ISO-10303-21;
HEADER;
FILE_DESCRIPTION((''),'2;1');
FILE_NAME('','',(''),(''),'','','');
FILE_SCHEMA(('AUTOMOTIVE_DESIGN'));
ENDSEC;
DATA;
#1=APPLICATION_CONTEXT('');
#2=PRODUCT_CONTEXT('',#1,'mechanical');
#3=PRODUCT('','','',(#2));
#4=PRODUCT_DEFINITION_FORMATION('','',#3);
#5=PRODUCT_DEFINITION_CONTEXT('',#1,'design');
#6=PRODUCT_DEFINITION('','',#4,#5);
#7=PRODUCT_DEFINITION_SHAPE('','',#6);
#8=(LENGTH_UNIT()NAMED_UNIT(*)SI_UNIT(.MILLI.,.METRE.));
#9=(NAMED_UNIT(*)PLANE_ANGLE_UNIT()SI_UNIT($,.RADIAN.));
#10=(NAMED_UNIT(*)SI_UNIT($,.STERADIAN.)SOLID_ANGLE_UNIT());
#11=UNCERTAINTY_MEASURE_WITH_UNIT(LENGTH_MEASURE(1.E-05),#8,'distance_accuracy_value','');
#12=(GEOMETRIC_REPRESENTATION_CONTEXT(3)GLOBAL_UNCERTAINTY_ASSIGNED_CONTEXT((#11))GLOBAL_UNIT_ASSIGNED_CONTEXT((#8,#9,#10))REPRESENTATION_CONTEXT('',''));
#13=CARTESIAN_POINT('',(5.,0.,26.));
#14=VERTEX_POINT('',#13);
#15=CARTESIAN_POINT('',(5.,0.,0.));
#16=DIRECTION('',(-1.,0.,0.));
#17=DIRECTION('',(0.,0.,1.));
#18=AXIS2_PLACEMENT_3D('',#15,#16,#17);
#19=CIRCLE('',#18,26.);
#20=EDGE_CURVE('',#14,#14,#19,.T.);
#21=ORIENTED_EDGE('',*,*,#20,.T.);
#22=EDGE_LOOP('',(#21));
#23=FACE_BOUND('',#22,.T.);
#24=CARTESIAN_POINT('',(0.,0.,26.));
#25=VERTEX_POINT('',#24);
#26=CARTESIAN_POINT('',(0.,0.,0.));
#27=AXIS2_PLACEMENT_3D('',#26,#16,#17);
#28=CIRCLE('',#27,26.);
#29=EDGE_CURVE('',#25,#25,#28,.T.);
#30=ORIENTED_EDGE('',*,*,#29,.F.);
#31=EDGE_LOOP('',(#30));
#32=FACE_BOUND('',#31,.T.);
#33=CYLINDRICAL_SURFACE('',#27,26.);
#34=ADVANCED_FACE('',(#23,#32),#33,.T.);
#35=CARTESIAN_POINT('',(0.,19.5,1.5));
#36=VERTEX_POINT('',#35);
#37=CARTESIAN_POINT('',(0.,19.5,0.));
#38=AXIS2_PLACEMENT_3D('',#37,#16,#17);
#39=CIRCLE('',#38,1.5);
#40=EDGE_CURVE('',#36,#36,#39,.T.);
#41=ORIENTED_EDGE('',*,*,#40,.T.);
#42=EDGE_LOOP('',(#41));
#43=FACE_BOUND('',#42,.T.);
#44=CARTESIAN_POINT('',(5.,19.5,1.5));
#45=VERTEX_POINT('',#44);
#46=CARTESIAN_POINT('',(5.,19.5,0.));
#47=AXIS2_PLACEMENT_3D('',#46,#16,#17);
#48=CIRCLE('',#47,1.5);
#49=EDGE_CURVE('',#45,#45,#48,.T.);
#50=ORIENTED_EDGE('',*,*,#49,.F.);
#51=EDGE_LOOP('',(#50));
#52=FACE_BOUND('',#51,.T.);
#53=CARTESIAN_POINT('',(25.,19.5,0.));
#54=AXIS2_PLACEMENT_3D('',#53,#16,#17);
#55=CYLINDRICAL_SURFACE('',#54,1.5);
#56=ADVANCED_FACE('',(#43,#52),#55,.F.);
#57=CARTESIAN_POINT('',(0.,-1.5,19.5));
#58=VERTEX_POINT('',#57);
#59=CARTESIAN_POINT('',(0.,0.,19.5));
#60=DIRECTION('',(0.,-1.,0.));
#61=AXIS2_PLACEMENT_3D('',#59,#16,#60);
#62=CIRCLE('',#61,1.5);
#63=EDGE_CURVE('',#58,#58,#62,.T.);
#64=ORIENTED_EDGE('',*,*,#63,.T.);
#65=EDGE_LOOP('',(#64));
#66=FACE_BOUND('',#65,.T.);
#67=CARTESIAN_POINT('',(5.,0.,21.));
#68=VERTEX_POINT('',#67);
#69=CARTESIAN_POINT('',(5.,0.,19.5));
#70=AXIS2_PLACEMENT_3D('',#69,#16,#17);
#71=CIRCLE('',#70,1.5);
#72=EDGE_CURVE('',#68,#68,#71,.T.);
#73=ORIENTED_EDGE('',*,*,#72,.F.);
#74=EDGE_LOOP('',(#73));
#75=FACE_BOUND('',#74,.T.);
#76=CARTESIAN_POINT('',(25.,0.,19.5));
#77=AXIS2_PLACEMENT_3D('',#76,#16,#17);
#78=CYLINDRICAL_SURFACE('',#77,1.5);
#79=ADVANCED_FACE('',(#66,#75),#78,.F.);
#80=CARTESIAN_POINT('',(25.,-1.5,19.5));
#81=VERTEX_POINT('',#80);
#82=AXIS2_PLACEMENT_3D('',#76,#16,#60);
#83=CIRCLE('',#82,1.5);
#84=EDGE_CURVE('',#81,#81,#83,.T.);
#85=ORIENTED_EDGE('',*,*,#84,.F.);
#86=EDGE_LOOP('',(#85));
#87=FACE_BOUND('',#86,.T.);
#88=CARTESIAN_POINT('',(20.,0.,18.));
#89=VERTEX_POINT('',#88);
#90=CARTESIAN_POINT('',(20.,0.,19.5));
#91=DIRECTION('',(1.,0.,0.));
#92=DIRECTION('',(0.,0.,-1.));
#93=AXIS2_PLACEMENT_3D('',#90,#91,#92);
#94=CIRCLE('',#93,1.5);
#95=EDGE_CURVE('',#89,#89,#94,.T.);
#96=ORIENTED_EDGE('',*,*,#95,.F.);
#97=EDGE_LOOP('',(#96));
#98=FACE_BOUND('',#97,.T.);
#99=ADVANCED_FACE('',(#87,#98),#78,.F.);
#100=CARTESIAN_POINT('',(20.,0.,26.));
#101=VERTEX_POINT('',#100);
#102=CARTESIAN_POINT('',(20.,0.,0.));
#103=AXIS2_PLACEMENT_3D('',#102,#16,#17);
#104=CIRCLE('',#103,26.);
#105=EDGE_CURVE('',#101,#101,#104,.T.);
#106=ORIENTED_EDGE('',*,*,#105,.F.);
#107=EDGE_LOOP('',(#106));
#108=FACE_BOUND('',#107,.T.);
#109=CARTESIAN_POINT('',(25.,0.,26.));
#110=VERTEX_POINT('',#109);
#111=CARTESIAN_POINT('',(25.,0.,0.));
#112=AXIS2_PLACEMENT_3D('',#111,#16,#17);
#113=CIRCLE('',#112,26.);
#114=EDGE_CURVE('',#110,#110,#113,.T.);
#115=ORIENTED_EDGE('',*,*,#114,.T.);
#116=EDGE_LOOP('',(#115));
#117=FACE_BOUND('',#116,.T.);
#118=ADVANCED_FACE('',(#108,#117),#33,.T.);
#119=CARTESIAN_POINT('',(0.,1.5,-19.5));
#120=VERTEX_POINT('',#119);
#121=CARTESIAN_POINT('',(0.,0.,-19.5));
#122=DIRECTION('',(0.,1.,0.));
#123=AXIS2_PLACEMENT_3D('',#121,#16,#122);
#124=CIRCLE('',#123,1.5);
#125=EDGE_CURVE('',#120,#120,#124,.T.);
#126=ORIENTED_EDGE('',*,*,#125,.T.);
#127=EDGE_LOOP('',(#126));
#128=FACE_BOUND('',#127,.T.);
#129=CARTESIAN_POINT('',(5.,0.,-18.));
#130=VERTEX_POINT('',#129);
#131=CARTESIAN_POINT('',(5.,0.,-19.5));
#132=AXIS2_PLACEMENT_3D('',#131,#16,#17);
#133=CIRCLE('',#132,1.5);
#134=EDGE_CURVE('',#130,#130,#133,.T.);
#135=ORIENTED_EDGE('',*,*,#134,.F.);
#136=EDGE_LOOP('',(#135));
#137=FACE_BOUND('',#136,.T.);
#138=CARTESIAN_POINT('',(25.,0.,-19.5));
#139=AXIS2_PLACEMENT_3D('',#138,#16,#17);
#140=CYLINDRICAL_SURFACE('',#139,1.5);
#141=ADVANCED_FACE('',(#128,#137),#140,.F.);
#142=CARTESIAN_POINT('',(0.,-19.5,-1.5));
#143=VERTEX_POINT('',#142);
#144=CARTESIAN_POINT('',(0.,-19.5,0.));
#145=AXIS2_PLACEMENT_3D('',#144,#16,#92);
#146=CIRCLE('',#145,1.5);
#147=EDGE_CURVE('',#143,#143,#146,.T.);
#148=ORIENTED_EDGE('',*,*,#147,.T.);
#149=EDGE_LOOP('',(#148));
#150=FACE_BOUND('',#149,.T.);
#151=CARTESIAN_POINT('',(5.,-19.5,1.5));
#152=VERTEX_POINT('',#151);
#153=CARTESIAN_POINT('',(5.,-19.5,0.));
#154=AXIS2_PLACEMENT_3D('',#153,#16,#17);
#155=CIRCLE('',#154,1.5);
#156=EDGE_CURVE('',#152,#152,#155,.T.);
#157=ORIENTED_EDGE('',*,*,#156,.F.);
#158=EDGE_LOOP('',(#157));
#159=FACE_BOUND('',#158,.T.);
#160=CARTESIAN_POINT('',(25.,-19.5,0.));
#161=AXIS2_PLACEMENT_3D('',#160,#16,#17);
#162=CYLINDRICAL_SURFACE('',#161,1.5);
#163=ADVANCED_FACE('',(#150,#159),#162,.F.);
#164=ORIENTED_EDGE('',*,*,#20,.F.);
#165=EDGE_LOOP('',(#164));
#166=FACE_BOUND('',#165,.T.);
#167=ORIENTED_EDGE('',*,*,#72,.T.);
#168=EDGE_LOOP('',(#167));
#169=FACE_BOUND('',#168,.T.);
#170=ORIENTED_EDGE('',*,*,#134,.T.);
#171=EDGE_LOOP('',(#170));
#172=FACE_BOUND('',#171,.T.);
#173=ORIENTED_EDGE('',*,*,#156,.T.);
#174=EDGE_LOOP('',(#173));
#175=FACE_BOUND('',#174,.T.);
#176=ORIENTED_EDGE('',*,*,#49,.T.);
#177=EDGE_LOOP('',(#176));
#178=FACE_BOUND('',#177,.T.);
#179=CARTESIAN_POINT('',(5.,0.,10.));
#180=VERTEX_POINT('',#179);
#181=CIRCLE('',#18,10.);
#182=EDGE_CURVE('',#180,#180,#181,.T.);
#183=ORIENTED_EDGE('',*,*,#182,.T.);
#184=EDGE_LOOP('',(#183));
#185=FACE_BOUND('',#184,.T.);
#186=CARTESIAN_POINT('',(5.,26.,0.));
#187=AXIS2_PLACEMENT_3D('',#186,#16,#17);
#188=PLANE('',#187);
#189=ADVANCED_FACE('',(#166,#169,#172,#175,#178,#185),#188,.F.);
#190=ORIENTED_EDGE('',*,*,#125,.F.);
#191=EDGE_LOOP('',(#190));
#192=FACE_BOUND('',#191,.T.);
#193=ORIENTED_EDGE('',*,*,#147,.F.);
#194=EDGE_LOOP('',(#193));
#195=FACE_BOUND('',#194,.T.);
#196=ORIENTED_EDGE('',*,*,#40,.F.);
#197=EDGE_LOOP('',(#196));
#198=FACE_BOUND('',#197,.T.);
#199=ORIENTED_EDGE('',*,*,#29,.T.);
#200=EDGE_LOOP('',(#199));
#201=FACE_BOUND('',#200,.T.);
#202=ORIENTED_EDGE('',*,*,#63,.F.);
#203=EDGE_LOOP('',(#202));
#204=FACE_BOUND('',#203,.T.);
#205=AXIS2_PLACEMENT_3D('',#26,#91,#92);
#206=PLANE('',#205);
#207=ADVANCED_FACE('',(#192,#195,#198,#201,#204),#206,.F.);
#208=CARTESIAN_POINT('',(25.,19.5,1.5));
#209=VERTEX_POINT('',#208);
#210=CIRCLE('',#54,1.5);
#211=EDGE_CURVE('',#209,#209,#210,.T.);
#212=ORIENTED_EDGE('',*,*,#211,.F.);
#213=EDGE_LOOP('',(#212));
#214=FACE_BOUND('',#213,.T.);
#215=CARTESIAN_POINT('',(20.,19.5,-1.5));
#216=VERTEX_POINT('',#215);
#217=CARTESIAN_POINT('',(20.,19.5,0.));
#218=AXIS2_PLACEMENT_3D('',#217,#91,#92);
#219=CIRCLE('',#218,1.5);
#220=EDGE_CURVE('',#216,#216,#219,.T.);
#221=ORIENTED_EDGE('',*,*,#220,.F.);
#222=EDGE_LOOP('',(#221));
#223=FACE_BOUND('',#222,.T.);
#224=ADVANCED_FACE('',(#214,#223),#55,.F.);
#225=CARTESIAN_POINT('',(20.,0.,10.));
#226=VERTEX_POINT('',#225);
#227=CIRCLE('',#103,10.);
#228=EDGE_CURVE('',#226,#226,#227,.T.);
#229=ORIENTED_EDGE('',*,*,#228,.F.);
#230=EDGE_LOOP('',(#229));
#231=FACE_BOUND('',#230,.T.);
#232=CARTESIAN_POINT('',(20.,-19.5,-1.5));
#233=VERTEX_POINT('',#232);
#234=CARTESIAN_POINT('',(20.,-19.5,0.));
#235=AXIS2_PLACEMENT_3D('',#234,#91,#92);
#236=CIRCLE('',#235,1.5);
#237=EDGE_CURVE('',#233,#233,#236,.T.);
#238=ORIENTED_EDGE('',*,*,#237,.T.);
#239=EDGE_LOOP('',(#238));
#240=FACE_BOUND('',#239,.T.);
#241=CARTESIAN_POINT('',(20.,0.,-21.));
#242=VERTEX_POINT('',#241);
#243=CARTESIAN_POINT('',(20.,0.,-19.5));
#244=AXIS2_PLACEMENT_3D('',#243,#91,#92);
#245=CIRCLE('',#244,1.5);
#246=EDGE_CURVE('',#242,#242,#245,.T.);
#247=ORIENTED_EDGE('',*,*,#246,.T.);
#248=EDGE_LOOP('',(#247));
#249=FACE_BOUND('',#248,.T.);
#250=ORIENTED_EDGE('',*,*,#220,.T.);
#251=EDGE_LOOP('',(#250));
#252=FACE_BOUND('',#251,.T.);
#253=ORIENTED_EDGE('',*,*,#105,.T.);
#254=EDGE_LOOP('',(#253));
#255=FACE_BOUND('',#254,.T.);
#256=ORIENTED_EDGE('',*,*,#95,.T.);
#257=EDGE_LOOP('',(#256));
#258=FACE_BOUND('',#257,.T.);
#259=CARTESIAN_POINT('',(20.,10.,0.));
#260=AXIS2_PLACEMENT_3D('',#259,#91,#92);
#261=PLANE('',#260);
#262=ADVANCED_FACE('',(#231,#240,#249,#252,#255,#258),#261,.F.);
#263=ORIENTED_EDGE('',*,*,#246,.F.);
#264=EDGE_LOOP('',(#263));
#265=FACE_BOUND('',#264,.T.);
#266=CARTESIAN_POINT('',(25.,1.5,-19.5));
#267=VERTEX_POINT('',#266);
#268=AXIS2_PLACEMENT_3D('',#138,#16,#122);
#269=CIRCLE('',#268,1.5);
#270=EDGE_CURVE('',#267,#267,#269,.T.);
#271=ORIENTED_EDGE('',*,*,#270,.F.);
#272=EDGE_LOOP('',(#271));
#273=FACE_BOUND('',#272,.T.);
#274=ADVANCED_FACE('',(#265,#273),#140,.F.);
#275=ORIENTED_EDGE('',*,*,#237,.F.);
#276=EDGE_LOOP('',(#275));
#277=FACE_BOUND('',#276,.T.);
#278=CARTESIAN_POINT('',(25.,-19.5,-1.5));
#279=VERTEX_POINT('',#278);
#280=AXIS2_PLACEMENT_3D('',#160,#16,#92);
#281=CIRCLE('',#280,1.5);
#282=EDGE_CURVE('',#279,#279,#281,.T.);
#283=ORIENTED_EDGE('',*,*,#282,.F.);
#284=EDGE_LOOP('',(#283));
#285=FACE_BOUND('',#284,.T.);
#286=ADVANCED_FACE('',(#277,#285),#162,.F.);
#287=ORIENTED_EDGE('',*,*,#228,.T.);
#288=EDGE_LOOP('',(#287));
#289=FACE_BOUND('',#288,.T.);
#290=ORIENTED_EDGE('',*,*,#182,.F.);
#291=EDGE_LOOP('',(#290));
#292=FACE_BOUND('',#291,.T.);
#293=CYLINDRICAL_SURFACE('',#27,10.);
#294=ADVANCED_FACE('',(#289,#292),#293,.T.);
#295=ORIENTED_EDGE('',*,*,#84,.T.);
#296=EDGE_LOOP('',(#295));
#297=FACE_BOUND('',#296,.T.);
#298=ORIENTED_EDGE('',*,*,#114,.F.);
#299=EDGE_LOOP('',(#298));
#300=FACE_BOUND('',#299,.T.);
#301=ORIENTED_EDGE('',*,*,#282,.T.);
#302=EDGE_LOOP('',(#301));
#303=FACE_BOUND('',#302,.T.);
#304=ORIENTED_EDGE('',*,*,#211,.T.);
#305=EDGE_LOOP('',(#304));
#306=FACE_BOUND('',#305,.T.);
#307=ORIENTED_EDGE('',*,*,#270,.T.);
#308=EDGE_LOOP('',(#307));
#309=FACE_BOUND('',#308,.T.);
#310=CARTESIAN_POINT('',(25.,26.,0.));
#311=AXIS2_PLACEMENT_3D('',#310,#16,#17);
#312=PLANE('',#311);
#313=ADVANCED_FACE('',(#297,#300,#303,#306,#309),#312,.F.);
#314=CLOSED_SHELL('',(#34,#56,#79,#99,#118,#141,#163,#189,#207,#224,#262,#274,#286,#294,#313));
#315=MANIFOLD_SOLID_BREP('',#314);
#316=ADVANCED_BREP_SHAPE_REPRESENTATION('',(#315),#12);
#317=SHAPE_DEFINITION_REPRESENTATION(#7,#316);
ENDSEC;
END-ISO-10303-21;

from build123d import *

# Parameters (mm, degrees)
SKETCH_2_R               = 1.5
CUT_EXTRUDE_1_DEPTH      = 45.463468151
PATTERN_CIRCULAR_1_COUNT = 4


with BuildPart() as part:
    # Эскиз1 → Повернуть1 (revolve)
    with BuildSketch(Plane.XY):
        Polygon((0, 0), (0, 26), (5, 26), (5, 10), (20, 10), (20, 26), (25, 26), (25, 0), align=None)
    revolve(axis=Axis((0, 0, 0), (1, 0, 0)))

    # Эскиз2 → Вырез-Вытянуть1 (cut, through all)
    with BuildSketch(Plane.ZY):
        with Locations((0, 19.5)):
            Circle(SKETCH_2_R)
    cut_extrude_1 = extrude(amount=-CUT_EXTRUDE_1_DEPTH, mode=Mode.SUBTRACT)

    # Круговой массив1: Вырез-Вытянуть1 ×4 about axis
    pattern_circular_1_axis = Axis((5, 0, 0), (-1, 0, 0))
    for i in range(1, PATTERN_CIRCULAR_1_COUNT):
        add(cut_extrude_1.rotate(pattern_circular_1_axis, i * 360 / PATTERN_CIRCULAR_1_COUNT), mode=Mode.SUBTRACT)


solid = part.part
